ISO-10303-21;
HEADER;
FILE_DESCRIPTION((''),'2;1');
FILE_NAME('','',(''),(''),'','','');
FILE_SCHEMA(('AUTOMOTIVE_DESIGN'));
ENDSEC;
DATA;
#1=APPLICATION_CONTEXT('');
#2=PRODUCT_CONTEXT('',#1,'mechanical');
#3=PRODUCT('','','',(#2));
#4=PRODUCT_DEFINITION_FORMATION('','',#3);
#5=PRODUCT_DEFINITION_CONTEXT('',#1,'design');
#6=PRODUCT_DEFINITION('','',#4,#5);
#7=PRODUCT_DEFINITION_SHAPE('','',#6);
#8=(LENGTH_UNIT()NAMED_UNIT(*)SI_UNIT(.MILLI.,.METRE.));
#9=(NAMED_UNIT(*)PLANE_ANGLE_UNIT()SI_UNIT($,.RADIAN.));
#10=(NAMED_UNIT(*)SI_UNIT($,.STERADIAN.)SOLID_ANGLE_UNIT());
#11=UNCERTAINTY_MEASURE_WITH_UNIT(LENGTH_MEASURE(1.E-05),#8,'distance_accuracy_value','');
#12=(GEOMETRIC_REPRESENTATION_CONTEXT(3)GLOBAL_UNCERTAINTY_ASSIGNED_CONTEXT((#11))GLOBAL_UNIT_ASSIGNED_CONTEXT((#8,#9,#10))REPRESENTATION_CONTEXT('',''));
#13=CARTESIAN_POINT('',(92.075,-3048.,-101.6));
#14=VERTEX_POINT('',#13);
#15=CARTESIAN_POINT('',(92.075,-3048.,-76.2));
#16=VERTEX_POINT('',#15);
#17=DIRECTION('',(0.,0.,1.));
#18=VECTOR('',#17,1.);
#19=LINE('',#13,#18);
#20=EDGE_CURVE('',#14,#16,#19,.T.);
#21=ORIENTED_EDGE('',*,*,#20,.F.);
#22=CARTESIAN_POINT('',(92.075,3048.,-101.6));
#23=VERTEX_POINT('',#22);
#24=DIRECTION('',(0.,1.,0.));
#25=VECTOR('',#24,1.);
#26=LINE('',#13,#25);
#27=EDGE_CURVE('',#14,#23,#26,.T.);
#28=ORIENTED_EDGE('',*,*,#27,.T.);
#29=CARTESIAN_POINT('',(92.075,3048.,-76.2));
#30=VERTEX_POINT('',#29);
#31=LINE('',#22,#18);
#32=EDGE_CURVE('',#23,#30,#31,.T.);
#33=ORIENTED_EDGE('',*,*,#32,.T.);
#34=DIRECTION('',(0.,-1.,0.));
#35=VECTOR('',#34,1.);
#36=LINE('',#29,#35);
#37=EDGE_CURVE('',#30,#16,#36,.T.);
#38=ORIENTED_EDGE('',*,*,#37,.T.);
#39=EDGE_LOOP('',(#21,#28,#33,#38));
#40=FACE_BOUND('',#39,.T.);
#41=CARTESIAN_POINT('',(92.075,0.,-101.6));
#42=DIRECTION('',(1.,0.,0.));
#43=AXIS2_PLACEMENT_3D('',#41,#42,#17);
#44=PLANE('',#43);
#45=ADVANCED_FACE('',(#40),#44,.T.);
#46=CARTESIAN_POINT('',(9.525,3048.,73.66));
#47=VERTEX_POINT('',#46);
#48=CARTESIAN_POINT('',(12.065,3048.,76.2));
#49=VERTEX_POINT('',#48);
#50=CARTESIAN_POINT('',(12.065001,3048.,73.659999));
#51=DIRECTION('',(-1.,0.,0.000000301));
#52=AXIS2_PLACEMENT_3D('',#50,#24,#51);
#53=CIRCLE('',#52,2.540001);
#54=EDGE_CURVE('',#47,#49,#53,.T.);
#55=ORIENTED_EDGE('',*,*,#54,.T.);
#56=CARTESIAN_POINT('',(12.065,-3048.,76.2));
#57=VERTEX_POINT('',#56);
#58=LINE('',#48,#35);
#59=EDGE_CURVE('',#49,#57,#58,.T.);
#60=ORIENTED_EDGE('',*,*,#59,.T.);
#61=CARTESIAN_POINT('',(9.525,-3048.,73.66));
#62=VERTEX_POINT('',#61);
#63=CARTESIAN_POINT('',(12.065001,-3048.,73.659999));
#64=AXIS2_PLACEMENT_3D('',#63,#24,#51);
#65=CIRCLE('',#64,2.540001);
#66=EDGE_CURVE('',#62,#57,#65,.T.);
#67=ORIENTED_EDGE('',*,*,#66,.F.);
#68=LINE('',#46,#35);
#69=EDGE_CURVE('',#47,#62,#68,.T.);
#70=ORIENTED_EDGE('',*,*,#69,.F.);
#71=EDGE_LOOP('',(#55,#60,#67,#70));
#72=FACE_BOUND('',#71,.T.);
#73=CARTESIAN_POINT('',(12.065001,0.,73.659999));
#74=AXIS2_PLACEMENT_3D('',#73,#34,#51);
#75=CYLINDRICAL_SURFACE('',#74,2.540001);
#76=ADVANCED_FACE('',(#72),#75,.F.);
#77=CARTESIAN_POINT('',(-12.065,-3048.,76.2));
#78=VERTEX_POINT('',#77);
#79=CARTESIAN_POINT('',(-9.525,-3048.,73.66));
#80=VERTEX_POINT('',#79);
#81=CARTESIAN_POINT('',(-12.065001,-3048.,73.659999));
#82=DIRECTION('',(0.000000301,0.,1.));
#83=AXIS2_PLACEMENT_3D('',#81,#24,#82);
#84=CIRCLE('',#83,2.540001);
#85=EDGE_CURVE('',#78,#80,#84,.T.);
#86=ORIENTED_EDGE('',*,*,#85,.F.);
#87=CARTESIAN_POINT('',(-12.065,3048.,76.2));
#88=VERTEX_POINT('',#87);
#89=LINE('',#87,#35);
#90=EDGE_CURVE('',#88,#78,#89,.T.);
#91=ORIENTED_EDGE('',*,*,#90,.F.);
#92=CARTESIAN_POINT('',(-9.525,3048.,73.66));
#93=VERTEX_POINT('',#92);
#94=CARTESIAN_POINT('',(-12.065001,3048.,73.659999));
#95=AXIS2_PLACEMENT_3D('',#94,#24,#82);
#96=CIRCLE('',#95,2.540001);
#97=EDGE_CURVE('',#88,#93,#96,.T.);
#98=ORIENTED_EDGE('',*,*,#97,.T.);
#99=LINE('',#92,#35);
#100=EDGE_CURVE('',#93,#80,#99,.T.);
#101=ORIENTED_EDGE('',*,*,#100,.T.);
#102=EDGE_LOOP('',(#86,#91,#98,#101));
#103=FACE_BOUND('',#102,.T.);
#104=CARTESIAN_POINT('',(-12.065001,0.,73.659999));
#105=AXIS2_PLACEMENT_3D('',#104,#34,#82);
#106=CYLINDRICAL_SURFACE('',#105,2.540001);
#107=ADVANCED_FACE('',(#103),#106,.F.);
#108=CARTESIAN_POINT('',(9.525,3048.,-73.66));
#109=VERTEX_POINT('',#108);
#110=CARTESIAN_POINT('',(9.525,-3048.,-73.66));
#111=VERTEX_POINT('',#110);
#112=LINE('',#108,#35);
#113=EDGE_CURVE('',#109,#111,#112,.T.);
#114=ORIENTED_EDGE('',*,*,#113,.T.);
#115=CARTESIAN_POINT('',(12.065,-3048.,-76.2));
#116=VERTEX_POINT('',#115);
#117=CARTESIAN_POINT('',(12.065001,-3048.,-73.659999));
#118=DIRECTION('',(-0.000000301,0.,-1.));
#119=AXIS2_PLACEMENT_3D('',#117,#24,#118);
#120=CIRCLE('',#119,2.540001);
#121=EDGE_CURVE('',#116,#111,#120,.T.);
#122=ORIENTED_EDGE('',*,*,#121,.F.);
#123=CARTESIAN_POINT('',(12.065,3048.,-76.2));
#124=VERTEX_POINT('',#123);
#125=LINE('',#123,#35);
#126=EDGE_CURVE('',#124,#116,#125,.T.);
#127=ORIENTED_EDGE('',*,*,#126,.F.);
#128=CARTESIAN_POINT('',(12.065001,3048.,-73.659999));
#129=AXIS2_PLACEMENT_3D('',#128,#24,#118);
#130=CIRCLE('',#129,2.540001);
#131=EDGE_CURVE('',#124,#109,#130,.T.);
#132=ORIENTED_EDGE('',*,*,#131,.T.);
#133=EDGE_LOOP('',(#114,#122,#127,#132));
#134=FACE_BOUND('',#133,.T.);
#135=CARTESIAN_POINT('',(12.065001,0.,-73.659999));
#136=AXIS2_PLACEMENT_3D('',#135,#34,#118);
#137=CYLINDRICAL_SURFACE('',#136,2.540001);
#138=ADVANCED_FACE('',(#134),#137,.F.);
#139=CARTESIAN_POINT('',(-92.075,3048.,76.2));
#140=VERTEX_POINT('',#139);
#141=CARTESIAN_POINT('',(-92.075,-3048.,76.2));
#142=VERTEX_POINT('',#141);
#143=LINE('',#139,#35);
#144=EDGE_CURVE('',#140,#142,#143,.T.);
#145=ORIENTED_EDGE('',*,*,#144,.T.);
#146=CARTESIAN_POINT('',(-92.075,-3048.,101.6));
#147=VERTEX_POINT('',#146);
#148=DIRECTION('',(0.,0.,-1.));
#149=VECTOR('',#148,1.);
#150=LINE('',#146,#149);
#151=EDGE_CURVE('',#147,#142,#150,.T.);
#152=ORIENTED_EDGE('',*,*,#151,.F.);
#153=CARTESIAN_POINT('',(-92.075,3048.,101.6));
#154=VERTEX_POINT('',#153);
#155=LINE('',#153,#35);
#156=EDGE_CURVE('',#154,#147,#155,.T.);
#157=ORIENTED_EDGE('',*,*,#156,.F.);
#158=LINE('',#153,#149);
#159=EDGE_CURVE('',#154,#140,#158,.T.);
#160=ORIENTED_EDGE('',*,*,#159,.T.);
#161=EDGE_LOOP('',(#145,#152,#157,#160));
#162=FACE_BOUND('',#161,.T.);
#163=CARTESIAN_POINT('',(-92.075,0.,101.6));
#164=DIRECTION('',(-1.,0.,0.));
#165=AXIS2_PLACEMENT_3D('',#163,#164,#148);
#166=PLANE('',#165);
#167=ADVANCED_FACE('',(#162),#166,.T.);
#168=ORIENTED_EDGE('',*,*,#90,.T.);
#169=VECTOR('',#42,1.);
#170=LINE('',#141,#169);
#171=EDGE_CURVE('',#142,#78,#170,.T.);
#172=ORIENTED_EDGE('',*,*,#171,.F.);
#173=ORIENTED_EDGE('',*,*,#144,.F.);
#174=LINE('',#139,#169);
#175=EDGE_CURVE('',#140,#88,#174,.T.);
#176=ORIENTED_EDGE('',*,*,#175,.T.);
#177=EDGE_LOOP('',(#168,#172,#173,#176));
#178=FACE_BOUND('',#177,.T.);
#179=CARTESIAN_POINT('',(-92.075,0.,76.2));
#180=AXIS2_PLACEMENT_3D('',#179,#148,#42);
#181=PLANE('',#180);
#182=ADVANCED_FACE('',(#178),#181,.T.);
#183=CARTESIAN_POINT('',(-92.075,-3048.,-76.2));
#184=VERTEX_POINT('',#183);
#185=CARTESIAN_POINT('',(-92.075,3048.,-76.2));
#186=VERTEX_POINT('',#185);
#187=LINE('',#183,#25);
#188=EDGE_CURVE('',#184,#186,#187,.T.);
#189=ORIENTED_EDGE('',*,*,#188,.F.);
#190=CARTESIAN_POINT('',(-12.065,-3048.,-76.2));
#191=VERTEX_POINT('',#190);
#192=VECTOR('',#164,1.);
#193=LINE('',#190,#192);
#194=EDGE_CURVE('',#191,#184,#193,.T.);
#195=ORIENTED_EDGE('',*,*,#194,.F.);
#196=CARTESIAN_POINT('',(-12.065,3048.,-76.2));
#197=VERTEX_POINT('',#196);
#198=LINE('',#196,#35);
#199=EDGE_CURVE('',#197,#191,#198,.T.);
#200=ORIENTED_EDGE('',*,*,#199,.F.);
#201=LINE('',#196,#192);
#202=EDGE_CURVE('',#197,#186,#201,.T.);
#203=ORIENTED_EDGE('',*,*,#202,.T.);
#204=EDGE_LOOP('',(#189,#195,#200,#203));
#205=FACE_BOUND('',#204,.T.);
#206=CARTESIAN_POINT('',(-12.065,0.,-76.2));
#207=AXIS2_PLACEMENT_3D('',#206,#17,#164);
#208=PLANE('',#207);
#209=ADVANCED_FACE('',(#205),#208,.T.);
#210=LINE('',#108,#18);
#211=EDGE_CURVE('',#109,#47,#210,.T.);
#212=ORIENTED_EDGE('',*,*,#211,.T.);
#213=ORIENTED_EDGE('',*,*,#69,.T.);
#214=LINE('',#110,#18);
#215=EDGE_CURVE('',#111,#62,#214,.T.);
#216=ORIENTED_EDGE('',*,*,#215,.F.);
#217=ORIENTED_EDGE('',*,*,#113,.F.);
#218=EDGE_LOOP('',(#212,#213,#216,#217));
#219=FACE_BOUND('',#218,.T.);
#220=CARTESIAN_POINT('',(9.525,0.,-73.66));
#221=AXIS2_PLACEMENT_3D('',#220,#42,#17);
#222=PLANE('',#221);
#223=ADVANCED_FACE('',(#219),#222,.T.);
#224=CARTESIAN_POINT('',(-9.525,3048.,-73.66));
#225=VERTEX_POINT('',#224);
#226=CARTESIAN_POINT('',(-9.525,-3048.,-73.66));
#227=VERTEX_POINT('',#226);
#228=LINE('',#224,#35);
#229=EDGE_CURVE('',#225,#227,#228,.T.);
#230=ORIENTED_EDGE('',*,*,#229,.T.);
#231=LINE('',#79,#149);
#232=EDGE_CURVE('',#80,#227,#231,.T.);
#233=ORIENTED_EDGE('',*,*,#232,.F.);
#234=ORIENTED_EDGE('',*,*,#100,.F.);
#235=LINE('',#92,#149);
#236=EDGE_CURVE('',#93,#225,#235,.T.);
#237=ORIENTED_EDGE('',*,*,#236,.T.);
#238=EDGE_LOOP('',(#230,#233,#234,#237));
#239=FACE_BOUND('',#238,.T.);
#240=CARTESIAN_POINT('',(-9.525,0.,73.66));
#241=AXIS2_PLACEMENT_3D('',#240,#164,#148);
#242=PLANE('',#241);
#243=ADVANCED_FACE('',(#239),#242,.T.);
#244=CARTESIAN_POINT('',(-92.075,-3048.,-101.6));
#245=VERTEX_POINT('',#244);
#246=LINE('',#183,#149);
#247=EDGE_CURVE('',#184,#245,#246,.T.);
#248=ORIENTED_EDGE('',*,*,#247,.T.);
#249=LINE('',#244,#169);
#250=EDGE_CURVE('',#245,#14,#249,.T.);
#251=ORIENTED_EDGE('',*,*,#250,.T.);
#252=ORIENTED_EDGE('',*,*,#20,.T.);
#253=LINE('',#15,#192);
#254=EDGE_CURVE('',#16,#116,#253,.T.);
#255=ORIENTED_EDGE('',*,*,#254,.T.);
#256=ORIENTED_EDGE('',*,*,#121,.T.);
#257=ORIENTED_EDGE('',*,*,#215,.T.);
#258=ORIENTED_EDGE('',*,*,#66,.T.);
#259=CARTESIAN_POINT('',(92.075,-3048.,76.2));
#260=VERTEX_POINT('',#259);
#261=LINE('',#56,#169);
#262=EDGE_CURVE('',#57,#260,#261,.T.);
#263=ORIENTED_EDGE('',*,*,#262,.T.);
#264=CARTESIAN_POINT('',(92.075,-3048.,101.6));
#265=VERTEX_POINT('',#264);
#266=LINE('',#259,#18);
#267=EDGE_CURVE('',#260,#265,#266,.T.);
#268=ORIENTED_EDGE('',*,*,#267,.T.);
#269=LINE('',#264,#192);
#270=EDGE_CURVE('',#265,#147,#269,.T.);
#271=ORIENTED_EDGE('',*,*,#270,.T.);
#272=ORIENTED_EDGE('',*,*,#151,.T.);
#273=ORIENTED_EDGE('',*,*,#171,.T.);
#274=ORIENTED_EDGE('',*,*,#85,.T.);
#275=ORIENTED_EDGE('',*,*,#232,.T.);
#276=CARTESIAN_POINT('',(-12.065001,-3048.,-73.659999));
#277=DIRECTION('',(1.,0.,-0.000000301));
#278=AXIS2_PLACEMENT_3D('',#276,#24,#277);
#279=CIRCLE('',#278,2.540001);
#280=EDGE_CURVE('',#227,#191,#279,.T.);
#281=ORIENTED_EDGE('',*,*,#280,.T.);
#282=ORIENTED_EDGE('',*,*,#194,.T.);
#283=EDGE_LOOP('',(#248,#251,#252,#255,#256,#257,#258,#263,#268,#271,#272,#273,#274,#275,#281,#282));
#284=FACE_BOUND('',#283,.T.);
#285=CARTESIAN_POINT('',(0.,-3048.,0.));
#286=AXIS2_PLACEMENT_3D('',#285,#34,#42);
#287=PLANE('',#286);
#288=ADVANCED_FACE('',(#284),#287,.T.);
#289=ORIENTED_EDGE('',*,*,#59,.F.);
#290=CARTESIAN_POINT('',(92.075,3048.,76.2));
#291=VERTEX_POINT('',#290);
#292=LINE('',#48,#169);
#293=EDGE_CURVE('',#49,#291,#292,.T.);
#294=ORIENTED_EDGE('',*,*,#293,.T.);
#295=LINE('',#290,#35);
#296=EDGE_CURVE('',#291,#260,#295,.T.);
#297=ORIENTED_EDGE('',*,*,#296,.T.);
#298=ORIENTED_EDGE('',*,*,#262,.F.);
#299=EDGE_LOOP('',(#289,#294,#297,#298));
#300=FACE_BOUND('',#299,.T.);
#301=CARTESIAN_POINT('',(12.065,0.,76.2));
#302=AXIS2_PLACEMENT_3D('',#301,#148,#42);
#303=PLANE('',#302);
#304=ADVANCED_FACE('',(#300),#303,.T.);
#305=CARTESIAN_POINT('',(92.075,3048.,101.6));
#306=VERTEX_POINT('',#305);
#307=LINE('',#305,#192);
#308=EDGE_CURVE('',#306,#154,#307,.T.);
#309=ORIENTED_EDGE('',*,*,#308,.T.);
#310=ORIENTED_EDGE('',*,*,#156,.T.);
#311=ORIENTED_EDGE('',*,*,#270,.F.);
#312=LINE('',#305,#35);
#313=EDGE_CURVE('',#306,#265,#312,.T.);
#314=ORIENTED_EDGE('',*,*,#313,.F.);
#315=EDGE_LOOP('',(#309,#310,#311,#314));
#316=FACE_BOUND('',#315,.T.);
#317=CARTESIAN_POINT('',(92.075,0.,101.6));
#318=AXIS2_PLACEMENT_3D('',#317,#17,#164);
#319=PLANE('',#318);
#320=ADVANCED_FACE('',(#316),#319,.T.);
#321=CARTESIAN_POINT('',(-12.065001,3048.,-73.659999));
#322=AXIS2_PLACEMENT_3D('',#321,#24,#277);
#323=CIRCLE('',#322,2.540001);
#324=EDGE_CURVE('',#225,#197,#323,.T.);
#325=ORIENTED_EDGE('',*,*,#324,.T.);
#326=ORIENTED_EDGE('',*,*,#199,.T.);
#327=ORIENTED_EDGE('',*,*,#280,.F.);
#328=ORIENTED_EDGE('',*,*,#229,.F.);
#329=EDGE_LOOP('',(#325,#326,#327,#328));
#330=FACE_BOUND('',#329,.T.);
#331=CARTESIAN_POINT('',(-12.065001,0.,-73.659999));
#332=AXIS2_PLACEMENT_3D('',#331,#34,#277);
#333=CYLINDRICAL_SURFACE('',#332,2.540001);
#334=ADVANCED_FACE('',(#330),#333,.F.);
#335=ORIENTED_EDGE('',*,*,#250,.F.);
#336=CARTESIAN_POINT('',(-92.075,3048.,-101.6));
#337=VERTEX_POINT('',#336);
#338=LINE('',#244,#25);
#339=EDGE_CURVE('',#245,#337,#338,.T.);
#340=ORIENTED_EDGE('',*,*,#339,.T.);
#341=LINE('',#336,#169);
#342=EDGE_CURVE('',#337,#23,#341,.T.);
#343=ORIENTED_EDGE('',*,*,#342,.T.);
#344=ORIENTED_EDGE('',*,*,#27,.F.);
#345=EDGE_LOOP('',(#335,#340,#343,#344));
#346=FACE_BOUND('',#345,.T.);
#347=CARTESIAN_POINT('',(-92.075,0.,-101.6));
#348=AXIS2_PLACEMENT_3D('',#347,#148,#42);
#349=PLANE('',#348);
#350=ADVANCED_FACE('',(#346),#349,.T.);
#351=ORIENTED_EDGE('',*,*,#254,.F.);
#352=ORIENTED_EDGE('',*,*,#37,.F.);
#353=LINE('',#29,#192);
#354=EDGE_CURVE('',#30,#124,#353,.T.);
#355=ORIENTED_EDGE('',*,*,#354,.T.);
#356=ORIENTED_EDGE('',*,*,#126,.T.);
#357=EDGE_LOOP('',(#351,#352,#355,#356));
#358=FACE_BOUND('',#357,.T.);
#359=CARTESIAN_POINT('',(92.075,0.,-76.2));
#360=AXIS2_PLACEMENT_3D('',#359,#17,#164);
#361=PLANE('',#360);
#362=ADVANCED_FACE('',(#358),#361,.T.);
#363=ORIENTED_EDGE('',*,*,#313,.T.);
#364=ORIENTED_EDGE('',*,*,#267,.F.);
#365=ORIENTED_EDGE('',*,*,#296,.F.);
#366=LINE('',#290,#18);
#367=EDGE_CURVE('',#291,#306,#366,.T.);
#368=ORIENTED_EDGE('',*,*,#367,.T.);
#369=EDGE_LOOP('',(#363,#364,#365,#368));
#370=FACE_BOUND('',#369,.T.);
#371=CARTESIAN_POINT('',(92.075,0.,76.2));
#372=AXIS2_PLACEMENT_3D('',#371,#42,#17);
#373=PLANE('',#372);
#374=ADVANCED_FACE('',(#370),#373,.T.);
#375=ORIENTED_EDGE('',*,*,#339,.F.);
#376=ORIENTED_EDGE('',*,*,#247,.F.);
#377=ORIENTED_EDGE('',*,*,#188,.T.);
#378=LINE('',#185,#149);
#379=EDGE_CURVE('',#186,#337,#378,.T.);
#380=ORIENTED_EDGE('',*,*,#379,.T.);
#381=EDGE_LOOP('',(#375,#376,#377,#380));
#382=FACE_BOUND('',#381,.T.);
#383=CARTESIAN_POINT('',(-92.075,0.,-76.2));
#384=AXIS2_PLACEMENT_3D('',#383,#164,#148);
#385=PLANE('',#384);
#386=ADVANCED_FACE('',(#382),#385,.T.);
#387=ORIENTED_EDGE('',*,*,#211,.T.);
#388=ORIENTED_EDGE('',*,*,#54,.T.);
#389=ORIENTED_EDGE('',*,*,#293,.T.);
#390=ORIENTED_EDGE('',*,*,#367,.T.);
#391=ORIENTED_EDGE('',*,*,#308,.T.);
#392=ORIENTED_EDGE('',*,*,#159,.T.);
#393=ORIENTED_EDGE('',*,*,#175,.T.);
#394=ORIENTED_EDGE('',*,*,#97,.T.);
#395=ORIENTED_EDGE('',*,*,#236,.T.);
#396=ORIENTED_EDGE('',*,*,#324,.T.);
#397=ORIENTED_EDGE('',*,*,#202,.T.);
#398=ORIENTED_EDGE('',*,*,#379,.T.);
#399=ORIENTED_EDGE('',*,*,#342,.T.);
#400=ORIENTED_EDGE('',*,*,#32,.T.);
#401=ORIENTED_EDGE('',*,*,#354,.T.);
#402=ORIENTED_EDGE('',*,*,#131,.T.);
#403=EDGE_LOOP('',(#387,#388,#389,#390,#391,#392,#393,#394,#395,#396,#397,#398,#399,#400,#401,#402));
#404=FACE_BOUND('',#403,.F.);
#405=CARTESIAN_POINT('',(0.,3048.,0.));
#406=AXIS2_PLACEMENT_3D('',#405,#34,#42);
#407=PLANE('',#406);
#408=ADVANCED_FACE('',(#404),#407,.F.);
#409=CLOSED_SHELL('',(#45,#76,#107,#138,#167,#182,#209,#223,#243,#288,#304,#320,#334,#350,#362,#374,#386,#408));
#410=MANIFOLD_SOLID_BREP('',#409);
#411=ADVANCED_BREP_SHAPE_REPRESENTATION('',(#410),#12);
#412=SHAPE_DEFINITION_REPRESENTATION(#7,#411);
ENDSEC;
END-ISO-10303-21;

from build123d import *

# Parameters (mm, degrees)
F1_DEPTH = 3048


with BuildPart() as f1:
    # F0 (on Front) → F1 (new body, symmetric)
    with BuildSketch(Plane.XZ):
        with BuildLine():
            Line((92.075, -101.6), (92.075, -76.2))
            Line((92.075, -76.2), (12.065, -76.2))
            ThreePointArc((12.065, -76.2), (10.268949, -75.456051), (9.525, -73.66))
            Line((9.525, -73.66), (9.525, 73.66))
            ThreePointArc((9.525, 73.66), (10.268949, 75.456051), (12.065, 76.2))
            Line((12.065, 76.2), (92.075, 76.2))
            Line((92.075, 76.2), (92.075, 101.6))
            Line((92.075, 101.6), (-92.075, 101.6))
            Line((-92.075, 101.6), (-92.075, 76.2))
            Line((-92.075, 76.2), (-12.065, 76.2))
            ThreePointArc((-12.065, 76.2), (-10.268949, 75.456051), (-9.525, 73.66))
            Line((-9.525, 73.66), (-9.525, -73.66))
            ThreePointArc((-9.525, -73.66), (-10.268949, -75.456051), (-12.065, -76.2))
            Line((-12.065, -76.2), (-92.075, -76.2))
            Line((-92.075, -76.2), (-92.075, -101.6))
            Line((-92.075, -101.6), (92.075, -101.6))
        make_face()
    extrude(amount=F1_DEPTH, both=True)


solid = f1.part
